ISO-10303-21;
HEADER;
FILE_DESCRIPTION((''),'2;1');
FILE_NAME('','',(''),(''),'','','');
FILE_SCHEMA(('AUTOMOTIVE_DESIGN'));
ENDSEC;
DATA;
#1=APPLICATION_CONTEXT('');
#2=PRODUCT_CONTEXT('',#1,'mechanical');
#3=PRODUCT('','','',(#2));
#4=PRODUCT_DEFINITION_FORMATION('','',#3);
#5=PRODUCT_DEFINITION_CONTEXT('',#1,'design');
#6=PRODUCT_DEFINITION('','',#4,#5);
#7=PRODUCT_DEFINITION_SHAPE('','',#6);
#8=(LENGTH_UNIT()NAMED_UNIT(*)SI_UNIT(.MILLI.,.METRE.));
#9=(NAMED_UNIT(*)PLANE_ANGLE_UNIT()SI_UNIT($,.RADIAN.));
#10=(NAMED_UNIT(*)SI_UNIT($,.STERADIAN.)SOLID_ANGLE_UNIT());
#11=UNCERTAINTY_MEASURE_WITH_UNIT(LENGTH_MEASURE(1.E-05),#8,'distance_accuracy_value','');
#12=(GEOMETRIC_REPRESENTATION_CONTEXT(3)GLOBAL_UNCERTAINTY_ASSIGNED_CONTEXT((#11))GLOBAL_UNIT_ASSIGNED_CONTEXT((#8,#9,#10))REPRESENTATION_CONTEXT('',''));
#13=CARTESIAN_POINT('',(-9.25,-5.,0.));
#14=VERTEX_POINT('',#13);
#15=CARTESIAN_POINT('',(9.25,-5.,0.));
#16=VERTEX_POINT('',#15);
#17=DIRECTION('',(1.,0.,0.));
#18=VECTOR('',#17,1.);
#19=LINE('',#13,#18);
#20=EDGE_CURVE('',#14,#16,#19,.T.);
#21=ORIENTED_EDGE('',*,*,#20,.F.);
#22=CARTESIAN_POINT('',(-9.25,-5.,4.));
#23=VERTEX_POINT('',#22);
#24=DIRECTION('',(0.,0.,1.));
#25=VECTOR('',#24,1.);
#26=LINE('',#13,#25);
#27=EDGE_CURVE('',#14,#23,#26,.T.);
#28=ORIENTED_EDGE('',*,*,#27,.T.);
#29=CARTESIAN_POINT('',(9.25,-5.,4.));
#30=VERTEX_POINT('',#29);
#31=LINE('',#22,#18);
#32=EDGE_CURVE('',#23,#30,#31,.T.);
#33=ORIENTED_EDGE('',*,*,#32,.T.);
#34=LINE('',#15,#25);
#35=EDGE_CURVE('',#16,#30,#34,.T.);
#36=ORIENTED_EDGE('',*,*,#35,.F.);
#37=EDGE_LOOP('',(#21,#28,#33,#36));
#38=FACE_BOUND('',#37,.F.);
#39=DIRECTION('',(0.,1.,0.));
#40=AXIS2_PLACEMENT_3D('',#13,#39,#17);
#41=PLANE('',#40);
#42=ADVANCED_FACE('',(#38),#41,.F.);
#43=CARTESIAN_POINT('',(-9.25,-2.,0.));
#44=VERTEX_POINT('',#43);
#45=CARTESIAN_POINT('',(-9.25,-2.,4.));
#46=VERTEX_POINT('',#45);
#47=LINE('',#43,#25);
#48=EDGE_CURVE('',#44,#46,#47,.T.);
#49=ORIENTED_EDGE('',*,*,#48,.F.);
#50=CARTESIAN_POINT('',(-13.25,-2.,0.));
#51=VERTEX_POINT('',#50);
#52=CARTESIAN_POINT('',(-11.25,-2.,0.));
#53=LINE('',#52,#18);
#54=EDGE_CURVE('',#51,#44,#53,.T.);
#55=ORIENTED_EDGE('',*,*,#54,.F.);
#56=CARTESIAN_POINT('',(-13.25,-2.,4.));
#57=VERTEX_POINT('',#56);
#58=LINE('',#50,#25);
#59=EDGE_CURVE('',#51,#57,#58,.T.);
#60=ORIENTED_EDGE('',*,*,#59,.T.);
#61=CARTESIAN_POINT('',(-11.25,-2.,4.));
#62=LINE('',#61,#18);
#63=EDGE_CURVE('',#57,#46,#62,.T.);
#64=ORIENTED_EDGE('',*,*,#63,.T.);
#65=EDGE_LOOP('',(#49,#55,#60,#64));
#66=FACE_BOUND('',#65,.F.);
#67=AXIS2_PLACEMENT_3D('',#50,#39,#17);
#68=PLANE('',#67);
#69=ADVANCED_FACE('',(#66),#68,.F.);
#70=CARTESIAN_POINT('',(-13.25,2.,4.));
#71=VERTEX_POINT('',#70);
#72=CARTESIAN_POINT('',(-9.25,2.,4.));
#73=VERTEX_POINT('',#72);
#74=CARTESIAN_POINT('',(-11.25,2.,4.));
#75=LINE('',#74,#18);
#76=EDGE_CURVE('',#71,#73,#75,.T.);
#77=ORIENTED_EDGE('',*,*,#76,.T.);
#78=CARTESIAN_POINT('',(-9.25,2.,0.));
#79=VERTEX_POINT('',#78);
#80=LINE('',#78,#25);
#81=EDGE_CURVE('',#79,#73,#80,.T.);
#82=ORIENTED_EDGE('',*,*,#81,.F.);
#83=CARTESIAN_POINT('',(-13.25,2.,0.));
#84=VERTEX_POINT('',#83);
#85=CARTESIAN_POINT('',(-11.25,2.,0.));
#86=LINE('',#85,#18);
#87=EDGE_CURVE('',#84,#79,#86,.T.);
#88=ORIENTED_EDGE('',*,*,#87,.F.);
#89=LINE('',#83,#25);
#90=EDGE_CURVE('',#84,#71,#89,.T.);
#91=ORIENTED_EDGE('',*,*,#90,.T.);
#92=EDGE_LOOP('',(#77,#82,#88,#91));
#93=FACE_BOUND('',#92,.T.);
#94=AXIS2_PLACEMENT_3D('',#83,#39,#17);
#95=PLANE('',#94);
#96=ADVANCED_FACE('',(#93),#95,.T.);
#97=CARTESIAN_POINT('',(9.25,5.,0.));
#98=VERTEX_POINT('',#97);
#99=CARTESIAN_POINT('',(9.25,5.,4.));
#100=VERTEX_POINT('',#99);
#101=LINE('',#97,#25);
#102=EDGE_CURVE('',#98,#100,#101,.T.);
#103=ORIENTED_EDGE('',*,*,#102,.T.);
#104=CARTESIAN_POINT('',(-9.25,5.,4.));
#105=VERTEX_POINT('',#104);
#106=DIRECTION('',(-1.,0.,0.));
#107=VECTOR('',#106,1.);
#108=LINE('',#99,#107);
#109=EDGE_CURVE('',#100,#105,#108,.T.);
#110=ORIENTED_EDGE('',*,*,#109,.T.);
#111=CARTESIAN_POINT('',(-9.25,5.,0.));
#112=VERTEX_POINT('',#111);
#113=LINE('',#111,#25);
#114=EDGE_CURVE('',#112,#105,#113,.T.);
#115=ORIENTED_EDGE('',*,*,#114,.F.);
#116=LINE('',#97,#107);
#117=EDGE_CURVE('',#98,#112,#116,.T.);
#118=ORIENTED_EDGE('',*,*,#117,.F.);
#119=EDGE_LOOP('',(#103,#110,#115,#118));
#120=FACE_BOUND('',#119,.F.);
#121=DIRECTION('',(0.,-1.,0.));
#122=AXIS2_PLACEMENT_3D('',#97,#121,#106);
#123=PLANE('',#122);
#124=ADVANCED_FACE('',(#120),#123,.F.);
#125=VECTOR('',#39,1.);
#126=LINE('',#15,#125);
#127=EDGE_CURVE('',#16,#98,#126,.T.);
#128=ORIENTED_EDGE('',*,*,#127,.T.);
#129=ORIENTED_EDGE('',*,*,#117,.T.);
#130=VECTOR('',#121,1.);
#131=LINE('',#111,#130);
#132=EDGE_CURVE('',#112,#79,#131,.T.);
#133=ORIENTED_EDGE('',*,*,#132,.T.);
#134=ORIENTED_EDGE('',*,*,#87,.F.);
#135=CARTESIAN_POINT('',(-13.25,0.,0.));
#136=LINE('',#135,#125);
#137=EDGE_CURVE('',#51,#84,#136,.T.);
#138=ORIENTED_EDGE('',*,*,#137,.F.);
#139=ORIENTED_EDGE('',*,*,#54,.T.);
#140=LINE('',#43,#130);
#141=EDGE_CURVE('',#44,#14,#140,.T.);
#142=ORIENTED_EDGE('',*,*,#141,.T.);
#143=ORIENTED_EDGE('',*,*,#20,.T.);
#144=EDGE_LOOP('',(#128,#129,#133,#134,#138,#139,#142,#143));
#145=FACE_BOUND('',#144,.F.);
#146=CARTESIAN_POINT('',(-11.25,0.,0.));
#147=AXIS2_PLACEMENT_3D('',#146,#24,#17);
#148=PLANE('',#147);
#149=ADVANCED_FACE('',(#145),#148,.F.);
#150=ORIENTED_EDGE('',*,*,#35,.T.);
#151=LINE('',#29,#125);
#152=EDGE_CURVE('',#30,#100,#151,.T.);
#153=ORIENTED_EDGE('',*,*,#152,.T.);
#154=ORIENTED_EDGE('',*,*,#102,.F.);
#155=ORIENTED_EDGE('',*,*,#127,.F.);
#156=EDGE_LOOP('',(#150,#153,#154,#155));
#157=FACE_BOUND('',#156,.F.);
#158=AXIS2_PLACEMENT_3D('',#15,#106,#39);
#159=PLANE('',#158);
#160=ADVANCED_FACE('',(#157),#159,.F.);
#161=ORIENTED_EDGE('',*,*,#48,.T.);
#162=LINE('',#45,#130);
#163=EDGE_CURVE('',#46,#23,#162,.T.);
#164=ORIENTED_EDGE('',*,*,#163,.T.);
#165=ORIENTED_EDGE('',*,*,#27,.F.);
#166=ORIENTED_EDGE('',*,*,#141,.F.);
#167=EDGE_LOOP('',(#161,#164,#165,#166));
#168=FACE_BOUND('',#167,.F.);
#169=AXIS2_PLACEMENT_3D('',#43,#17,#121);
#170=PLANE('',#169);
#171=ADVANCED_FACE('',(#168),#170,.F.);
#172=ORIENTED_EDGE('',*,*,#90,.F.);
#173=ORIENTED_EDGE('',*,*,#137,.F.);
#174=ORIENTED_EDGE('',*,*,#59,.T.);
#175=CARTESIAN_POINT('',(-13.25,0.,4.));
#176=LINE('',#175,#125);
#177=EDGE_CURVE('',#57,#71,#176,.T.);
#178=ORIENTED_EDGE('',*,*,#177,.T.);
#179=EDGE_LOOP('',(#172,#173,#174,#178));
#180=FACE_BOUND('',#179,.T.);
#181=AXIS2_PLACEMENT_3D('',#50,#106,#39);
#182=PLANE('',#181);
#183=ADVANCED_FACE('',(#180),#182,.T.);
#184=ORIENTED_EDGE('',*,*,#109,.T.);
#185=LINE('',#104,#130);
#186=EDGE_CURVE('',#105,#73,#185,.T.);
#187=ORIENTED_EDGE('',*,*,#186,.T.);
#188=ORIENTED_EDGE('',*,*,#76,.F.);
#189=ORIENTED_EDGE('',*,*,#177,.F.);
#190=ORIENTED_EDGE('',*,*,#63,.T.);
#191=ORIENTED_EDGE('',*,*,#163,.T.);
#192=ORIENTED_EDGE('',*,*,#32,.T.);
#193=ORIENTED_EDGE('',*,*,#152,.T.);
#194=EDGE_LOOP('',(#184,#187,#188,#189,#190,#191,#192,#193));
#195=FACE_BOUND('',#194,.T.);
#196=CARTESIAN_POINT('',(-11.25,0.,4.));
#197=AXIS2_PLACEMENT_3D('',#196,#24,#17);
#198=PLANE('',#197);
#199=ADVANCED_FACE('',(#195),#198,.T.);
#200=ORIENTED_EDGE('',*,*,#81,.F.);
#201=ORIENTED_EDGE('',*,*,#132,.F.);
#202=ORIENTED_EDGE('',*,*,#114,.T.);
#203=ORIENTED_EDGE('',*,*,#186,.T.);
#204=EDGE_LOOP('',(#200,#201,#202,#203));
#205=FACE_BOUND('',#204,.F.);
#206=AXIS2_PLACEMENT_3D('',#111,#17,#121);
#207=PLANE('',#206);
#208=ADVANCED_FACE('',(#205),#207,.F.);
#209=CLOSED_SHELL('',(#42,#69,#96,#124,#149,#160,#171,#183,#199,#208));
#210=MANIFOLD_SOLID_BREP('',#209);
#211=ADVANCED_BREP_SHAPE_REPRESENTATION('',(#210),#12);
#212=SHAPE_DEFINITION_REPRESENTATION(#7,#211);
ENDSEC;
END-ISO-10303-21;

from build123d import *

# Parameters (mm, degrees)
F0_W     = 4
F0_H     = 4
F1_DEPTH = 4


with BuildPart() as f1:
    # F0 (on Top) → F1 (new body)
    with BuildSketch(Plane.XY):
        with Locations((-11.25, 0)):
            Rectangle(F0_W, F0_H)
        Polygon((-9.25, 2), (-9.25, -2), (-9.25, -5), (9.25, -5), (9.25, 5), (-9.25, 5), align=None)
    extrude(amount=F1_DEPTH)


solid = f1.part
